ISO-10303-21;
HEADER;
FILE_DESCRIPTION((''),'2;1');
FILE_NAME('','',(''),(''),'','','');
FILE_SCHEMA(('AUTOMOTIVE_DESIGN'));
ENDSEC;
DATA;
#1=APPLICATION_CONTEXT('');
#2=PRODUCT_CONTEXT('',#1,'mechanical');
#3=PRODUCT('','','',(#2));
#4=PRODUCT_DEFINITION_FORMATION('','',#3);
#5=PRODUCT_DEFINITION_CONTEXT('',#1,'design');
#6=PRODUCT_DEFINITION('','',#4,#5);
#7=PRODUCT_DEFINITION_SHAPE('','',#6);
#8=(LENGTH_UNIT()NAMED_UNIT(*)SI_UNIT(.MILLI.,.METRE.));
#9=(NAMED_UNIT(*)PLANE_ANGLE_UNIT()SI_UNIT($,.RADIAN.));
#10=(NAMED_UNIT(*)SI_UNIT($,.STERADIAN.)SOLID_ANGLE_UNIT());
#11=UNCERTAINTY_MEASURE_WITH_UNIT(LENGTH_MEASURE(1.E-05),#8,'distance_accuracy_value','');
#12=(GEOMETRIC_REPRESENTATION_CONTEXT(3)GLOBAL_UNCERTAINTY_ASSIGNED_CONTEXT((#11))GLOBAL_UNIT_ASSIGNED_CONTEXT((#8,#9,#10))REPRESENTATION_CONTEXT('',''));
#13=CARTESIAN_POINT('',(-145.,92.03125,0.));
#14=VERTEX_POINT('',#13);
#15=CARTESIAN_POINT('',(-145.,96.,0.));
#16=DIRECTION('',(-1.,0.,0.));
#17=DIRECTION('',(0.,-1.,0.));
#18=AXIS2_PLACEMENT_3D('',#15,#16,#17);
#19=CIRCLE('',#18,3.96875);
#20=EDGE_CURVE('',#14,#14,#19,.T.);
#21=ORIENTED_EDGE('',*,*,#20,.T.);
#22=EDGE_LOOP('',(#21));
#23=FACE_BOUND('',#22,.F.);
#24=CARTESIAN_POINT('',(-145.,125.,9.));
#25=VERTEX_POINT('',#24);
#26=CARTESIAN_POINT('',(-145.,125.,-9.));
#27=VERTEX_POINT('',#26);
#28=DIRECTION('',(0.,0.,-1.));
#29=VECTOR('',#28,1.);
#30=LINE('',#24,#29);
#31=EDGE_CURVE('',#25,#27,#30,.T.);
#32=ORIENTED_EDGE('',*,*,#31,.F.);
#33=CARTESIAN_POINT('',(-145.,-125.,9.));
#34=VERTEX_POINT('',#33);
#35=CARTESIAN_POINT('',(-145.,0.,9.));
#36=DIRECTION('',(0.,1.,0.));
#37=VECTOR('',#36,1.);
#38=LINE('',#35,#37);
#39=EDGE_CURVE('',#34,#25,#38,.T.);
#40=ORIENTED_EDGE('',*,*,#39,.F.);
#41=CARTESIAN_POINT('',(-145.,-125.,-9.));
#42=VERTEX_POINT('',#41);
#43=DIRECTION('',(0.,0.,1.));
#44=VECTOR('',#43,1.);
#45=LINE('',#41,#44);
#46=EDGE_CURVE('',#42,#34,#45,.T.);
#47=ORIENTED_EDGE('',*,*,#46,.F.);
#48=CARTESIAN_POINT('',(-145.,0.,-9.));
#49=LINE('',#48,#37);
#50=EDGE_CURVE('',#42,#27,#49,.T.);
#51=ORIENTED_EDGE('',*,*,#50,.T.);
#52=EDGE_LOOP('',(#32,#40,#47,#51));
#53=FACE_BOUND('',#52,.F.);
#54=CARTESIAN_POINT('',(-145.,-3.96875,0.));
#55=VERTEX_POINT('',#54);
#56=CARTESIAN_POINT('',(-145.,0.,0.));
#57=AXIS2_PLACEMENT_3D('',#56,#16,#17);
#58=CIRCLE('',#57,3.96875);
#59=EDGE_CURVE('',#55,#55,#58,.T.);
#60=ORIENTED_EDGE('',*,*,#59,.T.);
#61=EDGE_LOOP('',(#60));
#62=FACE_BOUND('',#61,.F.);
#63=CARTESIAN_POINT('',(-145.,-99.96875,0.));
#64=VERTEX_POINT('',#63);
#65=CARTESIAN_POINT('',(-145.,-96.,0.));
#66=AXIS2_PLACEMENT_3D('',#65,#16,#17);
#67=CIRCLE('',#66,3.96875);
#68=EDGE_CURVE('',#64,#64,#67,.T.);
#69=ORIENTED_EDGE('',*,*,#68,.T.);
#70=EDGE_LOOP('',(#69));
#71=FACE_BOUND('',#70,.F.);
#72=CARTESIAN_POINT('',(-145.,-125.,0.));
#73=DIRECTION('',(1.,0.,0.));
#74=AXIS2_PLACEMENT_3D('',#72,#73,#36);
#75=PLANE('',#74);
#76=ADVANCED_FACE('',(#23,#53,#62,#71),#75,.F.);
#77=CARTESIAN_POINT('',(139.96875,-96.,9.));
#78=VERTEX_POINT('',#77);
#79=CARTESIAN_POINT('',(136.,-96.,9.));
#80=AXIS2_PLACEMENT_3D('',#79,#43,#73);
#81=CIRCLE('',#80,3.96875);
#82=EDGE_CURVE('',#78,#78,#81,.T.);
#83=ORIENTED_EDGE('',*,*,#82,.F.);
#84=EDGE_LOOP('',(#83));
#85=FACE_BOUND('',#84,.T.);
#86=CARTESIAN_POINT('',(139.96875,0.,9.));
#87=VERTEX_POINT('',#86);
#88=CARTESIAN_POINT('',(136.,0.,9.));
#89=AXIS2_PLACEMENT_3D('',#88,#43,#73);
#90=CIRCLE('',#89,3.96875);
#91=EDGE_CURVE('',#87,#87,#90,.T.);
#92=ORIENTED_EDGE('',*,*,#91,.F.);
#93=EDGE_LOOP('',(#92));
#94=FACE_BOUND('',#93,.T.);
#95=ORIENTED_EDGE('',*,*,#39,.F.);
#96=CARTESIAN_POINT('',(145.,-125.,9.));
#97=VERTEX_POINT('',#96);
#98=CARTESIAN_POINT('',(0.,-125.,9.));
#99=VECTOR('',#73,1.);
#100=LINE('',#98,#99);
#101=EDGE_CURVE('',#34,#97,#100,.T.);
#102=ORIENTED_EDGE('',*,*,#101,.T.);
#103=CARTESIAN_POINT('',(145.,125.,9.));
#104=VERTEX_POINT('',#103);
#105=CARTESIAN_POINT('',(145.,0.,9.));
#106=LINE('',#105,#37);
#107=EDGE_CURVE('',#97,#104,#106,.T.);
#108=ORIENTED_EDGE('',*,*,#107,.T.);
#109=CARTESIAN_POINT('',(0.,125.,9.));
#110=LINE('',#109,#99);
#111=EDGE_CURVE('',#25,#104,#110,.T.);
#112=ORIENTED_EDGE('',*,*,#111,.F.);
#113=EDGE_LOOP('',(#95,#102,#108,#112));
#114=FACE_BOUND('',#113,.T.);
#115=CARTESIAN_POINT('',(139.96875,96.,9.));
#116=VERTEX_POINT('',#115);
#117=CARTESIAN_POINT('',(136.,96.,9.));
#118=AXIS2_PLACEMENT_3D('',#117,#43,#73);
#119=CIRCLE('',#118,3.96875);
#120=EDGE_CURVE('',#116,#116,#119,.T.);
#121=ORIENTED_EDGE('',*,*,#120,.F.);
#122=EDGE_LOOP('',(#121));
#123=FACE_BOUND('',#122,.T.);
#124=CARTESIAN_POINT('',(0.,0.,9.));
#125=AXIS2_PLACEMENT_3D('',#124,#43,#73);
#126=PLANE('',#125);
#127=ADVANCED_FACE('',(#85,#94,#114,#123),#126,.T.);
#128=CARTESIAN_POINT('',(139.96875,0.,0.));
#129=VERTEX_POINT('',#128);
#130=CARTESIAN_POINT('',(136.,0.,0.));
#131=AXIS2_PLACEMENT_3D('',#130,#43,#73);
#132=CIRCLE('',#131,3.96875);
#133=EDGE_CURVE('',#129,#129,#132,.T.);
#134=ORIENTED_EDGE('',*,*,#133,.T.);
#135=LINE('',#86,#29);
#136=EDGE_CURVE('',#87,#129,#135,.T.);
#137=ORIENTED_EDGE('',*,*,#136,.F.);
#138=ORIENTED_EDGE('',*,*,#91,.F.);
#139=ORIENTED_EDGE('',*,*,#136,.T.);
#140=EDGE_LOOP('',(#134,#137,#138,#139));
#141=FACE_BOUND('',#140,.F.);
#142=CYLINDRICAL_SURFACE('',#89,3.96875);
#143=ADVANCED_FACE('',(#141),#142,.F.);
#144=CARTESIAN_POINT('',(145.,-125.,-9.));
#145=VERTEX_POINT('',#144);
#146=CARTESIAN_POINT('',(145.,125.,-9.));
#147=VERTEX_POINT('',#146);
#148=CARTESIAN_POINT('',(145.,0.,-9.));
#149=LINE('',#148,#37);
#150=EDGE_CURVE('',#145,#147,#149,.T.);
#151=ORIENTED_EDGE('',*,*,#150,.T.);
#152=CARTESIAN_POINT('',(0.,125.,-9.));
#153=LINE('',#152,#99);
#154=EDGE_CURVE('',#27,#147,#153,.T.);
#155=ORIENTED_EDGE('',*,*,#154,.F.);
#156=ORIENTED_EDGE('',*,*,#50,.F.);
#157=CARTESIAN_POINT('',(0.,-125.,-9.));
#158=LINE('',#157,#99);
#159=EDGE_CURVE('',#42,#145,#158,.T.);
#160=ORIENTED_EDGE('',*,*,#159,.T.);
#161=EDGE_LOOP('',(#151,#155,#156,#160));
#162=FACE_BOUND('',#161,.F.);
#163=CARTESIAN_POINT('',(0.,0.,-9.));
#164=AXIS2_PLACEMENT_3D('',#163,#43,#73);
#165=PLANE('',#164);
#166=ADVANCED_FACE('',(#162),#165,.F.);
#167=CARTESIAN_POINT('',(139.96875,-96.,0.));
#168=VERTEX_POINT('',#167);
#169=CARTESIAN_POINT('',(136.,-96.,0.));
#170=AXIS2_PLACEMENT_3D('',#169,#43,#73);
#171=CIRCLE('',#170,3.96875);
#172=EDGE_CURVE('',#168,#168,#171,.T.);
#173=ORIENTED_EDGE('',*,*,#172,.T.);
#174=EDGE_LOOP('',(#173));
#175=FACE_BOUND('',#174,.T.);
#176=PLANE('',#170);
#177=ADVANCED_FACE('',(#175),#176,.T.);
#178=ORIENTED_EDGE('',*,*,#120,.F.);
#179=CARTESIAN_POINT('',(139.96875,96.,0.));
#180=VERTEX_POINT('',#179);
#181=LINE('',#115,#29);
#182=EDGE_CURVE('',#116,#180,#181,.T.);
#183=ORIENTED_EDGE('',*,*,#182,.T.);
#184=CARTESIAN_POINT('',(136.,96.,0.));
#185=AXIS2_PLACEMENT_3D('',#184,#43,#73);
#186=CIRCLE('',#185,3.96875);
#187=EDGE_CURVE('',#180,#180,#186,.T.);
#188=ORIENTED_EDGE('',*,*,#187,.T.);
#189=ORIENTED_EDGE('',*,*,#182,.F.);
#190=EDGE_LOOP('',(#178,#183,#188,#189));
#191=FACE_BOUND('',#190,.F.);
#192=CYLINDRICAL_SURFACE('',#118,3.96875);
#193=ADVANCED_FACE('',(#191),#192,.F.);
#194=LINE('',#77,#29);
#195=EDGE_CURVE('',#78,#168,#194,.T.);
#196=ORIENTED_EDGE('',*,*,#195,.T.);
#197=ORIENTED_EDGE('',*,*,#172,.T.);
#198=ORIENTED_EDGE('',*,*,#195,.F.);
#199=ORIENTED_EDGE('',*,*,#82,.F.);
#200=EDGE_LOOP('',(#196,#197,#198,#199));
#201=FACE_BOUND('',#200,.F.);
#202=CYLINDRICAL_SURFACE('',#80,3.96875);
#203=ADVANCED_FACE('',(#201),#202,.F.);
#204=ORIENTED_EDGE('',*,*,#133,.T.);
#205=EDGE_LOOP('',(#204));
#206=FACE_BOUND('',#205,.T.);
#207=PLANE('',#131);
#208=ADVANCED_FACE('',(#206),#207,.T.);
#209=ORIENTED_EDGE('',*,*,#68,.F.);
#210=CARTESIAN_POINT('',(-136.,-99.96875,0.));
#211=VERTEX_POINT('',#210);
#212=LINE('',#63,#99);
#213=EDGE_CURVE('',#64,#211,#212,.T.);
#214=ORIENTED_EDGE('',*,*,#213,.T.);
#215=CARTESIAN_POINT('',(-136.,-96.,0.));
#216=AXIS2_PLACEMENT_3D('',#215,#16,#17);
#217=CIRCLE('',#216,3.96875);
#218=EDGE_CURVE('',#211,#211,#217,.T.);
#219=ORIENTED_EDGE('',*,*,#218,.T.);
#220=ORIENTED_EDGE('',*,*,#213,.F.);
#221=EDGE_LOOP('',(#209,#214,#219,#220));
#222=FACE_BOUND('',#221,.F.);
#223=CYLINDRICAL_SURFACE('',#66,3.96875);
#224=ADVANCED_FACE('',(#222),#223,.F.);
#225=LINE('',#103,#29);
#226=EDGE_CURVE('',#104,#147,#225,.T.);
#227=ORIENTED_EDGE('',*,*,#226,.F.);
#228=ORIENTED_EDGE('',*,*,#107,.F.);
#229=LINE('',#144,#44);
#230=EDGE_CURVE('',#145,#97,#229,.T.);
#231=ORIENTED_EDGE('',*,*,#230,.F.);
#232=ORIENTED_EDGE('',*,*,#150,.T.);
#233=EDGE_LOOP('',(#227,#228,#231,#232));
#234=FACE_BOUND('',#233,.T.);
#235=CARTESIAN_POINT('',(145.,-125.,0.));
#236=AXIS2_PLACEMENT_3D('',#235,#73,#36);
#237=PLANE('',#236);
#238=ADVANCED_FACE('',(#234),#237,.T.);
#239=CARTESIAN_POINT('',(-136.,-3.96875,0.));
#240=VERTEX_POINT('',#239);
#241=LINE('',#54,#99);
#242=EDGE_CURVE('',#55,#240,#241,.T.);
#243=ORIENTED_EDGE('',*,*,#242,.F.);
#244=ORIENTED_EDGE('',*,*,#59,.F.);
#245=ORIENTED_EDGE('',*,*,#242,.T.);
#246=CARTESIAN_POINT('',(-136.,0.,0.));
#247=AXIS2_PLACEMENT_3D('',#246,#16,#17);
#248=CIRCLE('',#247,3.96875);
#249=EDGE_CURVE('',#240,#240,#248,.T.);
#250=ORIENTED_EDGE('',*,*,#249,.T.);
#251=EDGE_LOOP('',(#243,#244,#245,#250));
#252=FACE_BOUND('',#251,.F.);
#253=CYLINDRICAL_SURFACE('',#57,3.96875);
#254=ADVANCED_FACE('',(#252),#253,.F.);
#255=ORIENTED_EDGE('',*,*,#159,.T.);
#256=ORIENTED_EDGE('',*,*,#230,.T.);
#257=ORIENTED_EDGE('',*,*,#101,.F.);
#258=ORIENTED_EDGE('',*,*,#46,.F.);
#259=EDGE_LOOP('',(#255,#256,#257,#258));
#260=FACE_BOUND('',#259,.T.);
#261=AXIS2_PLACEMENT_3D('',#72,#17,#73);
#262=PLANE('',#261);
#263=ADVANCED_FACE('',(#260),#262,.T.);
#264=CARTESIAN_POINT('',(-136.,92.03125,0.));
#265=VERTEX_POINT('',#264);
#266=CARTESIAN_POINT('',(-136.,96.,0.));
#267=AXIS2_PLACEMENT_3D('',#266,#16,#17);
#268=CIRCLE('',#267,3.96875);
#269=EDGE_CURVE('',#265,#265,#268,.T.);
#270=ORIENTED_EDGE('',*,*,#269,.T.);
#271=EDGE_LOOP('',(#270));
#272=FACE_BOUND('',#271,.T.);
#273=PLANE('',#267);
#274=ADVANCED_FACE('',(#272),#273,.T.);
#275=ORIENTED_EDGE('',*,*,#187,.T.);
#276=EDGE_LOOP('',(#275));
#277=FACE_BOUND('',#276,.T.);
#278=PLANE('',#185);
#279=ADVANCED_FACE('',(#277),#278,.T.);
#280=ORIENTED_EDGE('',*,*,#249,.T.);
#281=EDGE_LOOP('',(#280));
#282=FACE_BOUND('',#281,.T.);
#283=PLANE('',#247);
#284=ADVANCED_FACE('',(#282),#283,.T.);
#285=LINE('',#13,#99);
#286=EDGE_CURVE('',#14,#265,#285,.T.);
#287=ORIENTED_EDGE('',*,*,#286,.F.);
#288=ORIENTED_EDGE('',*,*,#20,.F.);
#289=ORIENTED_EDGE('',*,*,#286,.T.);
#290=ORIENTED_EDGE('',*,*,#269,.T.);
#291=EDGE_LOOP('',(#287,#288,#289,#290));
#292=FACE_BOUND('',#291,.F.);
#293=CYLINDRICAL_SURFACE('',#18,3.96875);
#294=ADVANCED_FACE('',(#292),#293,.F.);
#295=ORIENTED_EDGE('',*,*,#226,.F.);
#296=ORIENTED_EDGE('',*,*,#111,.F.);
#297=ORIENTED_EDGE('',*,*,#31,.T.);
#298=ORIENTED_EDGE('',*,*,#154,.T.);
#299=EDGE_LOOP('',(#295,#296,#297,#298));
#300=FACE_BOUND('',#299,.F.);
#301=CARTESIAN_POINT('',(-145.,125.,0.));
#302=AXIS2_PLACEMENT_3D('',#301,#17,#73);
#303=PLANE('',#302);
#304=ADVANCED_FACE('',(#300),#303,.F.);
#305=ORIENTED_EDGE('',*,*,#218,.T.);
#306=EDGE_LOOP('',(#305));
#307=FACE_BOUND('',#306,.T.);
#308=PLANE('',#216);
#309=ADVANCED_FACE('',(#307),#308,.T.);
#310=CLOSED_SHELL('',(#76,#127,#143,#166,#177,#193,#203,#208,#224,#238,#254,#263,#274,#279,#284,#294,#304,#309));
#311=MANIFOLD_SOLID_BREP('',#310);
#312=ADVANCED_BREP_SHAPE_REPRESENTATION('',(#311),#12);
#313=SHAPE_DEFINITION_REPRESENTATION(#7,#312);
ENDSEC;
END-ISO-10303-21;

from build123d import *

# Parameters (mm, degrees)
F0_W     = 290
F0_H     = 250
F1_DEPTH = 9
F2_R     = 3.96875
F3_DEPTH = 9
F4_R     = 3.96875
F5_DEPTH = 9


with BuildPart() as f1:
    # F0 (on Top) → F1 (new body, symmetric)
    with BuildSketch(Plane.XY):
        Rectangle(F0_W, F0_H)
    extrude(amount=F1_DEPTH, both=True)

    # F2 (on face) → F3 (cut)
    with BuildSketch(Plane.XY.offset(9)):
        with Locations((136, 0)):
            Circle(F2_R)
        with Locations((136, 96)):
            Circle(F2_R)
        with Locations((136, -96)):
            Circle(F2_R)
    extrude(amount=-F3_DEPTH, mode=Mode.SUBTRACT)

    # F4 (on face) → F5 (cut)
    with BuildSketch(Plane(origin=(-145, 0, 0), x_dir=(0, -1, 0), z_dir=(-1, 0, 0))):
        Circle(F4_R)
        with Locations((96, 0)):
            Circle(F4_R)
        with Locations((-96, 0)):
            Circle(F4_R)
    extrude(amount=-F5_DEPTH, mode=Mode.SUBTRACT)


solid = f1.part
